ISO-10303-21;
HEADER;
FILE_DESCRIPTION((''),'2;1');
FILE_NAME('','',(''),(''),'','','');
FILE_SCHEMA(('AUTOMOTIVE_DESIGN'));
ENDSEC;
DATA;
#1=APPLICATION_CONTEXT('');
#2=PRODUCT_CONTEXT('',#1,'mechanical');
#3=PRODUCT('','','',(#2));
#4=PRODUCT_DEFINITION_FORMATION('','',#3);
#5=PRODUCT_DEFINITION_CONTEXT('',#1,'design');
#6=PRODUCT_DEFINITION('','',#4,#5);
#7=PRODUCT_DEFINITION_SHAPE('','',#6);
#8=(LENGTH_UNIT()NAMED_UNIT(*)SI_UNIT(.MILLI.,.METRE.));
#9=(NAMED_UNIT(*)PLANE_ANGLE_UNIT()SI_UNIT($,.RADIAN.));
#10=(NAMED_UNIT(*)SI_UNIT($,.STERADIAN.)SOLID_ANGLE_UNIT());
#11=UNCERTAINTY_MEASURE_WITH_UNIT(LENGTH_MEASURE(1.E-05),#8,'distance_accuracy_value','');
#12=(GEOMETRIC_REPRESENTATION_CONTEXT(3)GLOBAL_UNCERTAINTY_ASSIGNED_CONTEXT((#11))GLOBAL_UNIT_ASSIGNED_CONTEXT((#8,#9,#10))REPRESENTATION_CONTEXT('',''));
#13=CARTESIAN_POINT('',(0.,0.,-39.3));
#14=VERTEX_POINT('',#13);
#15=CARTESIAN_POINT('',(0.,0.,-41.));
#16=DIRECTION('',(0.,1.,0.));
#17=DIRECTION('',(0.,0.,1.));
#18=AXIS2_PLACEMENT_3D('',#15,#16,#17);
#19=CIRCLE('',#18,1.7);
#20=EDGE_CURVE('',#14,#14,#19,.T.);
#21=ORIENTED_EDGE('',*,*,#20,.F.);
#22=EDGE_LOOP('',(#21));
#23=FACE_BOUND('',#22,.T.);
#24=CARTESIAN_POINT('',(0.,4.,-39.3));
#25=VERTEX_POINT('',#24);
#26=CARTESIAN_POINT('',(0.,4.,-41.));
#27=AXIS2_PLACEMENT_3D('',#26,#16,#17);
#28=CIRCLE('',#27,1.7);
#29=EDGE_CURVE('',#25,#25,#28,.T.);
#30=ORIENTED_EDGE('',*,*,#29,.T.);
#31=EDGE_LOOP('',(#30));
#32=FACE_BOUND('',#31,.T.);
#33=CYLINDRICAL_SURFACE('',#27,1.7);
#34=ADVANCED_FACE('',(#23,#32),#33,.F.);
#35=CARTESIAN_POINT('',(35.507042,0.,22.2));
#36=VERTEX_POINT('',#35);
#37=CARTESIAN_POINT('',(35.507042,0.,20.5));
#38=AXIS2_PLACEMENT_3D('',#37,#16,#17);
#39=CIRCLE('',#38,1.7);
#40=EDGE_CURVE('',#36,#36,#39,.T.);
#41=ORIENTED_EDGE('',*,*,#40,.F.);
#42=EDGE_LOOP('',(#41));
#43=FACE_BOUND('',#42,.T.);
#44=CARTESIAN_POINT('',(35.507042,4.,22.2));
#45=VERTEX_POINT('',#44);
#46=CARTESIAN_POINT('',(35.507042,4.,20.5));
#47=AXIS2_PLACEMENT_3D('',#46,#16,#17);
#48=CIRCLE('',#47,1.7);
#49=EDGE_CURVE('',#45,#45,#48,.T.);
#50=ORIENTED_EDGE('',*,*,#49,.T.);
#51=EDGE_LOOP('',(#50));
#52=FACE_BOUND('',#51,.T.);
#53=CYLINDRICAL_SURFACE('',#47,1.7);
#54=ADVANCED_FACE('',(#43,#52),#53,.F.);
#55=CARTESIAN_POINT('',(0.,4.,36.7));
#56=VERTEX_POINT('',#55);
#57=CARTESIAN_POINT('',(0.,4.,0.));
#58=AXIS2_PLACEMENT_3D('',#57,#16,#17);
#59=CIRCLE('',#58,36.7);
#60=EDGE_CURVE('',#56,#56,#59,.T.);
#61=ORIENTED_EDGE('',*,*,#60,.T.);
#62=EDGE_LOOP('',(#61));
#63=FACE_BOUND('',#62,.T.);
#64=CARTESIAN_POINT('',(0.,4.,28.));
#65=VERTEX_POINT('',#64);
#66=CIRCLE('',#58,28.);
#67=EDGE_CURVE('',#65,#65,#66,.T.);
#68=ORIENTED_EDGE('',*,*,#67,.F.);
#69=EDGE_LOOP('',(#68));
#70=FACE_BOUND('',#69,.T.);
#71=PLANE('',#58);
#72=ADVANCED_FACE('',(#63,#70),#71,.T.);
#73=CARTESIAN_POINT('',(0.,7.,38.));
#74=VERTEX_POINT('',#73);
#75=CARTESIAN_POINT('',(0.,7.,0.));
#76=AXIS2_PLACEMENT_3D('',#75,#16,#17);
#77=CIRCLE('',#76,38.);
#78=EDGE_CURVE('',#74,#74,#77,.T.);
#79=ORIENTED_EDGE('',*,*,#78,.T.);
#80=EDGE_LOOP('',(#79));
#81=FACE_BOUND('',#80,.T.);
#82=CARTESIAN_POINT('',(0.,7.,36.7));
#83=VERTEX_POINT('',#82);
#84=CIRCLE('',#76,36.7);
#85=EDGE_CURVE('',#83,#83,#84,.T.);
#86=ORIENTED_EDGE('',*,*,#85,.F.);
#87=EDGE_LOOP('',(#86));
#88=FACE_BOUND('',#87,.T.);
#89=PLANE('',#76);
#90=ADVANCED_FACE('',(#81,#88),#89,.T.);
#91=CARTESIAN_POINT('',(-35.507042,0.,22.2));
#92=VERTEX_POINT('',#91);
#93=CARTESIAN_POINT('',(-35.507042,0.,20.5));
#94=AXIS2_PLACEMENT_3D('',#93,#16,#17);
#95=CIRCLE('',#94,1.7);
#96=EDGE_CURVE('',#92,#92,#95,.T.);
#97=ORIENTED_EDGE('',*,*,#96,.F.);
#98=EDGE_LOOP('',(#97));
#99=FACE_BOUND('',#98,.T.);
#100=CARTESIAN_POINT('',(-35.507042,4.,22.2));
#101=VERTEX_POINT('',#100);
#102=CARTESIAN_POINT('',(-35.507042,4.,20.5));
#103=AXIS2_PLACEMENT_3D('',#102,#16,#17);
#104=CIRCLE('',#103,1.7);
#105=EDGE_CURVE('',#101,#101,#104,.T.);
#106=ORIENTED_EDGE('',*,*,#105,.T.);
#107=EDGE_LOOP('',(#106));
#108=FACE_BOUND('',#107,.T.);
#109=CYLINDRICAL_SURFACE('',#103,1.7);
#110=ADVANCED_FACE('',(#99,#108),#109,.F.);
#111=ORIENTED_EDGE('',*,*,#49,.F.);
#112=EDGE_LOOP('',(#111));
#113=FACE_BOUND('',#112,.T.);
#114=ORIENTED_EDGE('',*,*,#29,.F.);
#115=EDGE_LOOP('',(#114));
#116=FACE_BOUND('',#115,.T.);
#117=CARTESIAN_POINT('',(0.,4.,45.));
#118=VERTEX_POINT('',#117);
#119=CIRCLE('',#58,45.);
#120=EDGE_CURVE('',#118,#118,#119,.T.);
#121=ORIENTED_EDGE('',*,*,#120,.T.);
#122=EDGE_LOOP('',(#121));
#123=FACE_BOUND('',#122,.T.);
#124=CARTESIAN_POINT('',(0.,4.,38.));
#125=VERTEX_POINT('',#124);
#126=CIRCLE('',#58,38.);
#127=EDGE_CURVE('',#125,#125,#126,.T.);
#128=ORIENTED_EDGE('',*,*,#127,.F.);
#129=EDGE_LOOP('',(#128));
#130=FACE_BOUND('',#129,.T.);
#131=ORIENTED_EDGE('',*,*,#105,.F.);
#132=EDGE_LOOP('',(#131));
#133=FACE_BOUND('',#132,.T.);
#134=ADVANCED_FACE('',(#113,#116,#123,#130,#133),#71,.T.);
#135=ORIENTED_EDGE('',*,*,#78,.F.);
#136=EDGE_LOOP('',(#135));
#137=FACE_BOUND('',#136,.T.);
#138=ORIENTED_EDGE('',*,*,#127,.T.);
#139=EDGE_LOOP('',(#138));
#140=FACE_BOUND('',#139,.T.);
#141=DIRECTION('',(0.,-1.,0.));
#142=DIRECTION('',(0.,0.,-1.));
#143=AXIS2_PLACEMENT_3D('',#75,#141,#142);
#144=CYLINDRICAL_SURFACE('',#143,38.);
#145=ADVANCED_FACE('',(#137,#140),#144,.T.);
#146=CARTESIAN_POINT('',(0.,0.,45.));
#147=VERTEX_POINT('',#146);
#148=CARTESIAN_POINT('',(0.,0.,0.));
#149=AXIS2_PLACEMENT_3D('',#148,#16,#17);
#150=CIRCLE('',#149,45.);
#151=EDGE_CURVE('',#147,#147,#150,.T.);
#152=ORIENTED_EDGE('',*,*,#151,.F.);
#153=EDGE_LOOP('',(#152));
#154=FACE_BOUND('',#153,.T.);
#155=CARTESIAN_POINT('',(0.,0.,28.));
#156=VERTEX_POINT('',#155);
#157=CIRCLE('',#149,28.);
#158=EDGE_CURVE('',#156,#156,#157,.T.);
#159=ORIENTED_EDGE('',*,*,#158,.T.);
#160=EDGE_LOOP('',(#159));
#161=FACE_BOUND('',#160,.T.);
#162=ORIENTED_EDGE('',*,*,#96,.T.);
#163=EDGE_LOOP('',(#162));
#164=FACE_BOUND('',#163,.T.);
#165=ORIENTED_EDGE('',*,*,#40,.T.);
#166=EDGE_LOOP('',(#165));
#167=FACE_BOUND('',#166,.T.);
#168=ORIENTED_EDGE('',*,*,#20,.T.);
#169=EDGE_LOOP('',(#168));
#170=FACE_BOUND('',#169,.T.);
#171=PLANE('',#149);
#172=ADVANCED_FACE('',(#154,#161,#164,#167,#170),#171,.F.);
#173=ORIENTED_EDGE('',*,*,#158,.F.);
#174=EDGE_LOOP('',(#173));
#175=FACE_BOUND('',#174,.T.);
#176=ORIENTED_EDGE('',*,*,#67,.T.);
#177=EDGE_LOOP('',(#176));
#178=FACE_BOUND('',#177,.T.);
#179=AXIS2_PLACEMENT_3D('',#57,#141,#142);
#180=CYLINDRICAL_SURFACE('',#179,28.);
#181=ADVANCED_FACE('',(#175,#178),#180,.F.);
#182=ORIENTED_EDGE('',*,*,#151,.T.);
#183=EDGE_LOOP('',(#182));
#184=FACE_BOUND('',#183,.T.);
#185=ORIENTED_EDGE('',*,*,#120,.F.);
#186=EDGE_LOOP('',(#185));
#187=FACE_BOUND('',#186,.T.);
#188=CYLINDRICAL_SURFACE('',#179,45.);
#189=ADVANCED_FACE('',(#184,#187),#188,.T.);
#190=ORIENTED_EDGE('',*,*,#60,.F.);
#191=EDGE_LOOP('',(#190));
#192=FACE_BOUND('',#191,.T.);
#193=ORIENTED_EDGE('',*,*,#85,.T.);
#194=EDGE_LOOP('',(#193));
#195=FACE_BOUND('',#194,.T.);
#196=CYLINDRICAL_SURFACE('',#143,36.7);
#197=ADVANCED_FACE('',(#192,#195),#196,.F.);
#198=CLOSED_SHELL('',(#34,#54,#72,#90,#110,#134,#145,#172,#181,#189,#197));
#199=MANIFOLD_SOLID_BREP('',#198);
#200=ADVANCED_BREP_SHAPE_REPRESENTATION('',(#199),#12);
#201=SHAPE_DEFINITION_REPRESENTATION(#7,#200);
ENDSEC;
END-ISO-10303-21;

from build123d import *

# Parameters (mm, degrees)
SKETCH1_R                          = 45
SKETCH1_R_2                        = 28
COLLAR_ANNULUS_OD90_ID56_T4_DEPTH  = 4
SKETCH2_R                          = 38
SKETCH2_R_2                        = 36.7
RETAINING_RIM_OD76_ID73_4_H3_DEPTH = 3
MOUNTING_HOLES_3X_3_4_PCD82_D      = 3.4


with BuildPart() as part:
    # Sketch1 → Collar_Annulus_OD90_ID56_T4 (new body)
    with BuildSketch(Plane(origin=(0, 0, 0), x_dir=(1, 0, 0), z_dir=(0, 1, 0))):
        with Locations(Location((0, 0, 0), (0, 0, 270))):
            Circle(SKETCH1_R)
        with Locations(Location((0, 0, 0), (0, 0, 270))):
            Circle(SKETCH1_R_2, mode=Mode.SUBTRACT)
    extrude(amount=COLLAR_ANNULUS_OD90_ID56_T4_DEPTH)

    # Sketch2 → Retaining_Rim_OD76_ID73.4_H3 (add)
    with BuildSketch(Plane(origin=(0, 4, 0), x_dir=(1, 0, 0), z_dir=(0, 1, 0))):
        with Locations(Location((0, 0, 0), (0, 0, 270))):
            Circle(SKETCH2_R)
        with Locations(Location((0, 0, 0), (0, 0, 270))):
            Circle(SKETCH2_R_2, mode=Mode.SUBTRACT)
    extrude(amount=RETAINING_RIM_OD76_ID73_4_H3_DEPTH)

    # Mounting_Holes_3xØ3.4_PCD82 (through all)
    with Locations(Plane(origin=(0, 4, 0), x_dir=(1, 0, 0), z_dir=(0, 1, 0))):
        with Locations((-35.507041555, -20.5), (0, 41), (35.507041555, -20.5)):
            Hole(MOUNTING_HOLES_3X_3_4_PCD82_D / 2)


solid = part.part
